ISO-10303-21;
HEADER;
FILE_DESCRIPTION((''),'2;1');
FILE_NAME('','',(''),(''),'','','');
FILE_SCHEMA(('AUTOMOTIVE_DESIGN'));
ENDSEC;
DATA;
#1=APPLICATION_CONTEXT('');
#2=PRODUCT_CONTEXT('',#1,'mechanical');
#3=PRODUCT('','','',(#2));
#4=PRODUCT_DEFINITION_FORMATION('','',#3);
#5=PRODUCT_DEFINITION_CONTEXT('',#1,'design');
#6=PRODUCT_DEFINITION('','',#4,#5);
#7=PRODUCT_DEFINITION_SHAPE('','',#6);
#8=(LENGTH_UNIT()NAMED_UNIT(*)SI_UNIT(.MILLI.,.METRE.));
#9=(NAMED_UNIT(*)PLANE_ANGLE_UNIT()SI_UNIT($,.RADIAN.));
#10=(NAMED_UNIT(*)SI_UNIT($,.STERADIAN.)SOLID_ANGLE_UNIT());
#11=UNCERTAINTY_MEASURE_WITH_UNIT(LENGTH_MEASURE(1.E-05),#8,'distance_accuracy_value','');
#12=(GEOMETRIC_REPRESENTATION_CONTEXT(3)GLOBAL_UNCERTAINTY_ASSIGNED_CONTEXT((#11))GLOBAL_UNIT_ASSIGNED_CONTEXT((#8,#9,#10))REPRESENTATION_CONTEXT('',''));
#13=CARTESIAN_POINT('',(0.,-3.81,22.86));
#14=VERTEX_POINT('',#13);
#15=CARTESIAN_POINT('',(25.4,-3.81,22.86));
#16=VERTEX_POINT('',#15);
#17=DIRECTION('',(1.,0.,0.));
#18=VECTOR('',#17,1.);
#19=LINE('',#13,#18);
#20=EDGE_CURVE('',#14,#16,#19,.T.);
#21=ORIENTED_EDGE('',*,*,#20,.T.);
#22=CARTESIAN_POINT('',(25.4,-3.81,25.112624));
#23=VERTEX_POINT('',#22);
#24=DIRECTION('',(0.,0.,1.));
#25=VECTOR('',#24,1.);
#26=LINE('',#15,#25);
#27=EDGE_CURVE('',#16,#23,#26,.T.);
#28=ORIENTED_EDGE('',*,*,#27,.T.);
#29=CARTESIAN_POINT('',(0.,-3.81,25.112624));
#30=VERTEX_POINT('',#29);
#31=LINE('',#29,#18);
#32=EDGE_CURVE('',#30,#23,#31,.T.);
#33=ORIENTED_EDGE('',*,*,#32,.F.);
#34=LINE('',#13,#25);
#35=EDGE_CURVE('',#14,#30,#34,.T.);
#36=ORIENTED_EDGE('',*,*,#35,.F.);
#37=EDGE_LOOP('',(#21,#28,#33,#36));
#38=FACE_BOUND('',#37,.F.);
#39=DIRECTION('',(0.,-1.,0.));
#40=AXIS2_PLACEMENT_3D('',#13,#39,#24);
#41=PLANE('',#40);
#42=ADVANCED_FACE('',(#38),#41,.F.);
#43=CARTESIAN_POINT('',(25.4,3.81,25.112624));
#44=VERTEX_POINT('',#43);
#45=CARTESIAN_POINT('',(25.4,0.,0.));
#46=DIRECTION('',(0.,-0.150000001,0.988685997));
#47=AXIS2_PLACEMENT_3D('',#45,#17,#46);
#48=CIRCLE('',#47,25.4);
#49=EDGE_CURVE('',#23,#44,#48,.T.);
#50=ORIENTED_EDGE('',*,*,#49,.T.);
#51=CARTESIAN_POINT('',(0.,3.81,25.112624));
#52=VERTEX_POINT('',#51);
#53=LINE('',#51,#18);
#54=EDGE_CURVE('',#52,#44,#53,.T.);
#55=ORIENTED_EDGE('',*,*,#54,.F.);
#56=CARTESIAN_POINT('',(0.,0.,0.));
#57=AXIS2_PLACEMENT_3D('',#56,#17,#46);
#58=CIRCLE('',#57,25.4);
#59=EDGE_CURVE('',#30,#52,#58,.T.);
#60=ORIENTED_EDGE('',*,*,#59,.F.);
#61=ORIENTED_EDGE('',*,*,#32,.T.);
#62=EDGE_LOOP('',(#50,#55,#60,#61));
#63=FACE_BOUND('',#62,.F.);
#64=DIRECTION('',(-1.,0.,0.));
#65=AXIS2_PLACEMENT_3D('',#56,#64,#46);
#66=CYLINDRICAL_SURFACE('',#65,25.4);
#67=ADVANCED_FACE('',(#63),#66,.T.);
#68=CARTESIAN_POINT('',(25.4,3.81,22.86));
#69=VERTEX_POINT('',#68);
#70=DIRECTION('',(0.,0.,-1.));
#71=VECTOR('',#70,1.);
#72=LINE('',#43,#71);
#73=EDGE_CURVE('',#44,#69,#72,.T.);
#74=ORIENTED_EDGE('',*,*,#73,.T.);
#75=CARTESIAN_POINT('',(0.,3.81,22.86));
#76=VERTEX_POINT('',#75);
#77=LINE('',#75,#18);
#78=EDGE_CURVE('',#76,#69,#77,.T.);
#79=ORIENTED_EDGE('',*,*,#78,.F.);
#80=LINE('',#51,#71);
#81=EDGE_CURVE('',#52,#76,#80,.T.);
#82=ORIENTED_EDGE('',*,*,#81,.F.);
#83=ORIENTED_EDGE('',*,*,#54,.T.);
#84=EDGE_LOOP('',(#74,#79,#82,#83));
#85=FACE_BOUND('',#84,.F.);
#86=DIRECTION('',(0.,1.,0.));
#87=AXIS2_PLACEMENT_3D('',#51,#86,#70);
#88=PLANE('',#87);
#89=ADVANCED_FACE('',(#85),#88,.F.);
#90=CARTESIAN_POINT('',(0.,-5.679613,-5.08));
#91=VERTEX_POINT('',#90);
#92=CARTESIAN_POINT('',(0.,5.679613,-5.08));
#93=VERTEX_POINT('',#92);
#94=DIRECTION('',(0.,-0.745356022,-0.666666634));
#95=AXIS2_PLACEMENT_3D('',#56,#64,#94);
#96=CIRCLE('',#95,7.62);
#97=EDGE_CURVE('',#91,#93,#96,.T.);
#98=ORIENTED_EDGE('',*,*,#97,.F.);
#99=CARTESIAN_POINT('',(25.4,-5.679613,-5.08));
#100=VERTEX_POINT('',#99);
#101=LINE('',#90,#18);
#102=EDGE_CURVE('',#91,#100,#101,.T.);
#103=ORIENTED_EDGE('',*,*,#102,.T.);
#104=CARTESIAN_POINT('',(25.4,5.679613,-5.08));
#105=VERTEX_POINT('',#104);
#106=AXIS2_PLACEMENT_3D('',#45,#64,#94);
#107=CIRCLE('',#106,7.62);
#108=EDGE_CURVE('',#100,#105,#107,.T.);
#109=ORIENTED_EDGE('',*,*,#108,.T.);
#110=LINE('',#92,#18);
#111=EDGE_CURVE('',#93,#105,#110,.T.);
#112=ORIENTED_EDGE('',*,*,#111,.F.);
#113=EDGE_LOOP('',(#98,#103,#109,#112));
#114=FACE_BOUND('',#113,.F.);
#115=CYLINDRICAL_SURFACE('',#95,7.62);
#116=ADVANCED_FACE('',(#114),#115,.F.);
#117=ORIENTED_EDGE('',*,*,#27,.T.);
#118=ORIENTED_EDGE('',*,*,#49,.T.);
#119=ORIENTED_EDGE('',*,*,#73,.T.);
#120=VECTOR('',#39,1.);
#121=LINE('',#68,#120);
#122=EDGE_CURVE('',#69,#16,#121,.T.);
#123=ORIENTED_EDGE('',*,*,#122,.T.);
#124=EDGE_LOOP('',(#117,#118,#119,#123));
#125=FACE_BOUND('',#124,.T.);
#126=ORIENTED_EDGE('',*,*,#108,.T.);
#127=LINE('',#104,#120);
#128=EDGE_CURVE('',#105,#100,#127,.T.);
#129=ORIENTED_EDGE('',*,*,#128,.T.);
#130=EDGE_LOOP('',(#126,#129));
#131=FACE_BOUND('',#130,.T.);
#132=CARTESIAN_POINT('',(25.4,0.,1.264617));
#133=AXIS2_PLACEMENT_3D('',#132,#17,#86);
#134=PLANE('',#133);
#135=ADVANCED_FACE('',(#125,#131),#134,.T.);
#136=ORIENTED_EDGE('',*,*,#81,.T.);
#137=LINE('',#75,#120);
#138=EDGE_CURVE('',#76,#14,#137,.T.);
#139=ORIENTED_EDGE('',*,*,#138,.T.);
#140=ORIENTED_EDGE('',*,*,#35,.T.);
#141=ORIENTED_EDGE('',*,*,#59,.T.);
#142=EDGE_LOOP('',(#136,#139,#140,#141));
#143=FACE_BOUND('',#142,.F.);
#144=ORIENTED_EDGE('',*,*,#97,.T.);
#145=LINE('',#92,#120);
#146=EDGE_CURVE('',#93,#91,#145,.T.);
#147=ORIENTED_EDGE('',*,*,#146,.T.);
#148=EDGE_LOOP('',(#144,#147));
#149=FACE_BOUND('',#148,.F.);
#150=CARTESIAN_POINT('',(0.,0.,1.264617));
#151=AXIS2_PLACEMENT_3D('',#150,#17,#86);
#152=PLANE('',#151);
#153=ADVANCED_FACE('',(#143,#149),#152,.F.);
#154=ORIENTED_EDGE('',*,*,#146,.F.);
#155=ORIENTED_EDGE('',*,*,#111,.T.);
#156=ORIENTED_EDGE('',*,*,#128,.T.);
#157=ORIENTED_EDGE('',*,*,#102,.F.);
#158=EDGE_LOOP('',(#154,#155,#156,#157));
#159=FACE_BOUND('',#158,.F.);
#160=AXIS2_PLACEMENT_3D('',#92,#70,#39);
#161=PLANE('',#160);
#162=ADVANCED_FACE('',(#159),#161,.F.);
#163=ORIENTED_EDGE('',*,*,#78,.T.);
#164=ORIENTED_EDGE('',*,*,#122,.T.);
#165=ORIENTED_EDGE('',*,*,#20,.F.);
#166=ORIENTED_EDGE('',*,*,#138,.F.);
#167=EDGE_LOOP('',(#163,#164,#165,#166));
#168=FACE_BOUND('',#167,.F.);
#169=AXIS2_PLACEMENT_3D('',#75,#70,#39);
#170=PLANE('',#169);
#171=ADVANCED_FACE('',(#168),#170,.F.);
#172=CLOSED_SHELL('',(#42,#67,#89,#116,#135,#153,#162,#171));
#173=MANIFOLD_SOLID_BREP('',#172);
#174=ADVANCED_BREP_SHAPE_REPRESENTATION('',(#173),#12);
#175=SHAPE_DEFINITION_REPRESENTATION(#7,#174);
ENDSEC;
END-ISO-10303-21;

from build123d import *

# Parameters (mm, degrees)
F1_DEPTH = 25.4


with BuildPart() as f1:
    # F0 (on Right) → F1 (new body)
    with BuildSketch(Plane.YZ):
        with BuildLine():
            Line((-3.81, 22.86), (-3.81, 25.112624))
            ThreePointArc((-3.81, 25.112624), (0, -25.4), (3.81, 25.112624))
            Line((3.81, 25.112624), (3.81, 22.86))
            Line((3.81, 22.86), (-3.81, 22.86))
        make_face()
        with BuildLine():
            ThreePointArc((-5.679613, -5.08), (0, 7.62), (5.679613, -5.08))
            Line((5.679613, -5.08), (-5.679613, -5.08))
        make_face(mode=Mode.SUBTRACT)
    extrude(amount=F1_DEPTH)


solid = f1.part
